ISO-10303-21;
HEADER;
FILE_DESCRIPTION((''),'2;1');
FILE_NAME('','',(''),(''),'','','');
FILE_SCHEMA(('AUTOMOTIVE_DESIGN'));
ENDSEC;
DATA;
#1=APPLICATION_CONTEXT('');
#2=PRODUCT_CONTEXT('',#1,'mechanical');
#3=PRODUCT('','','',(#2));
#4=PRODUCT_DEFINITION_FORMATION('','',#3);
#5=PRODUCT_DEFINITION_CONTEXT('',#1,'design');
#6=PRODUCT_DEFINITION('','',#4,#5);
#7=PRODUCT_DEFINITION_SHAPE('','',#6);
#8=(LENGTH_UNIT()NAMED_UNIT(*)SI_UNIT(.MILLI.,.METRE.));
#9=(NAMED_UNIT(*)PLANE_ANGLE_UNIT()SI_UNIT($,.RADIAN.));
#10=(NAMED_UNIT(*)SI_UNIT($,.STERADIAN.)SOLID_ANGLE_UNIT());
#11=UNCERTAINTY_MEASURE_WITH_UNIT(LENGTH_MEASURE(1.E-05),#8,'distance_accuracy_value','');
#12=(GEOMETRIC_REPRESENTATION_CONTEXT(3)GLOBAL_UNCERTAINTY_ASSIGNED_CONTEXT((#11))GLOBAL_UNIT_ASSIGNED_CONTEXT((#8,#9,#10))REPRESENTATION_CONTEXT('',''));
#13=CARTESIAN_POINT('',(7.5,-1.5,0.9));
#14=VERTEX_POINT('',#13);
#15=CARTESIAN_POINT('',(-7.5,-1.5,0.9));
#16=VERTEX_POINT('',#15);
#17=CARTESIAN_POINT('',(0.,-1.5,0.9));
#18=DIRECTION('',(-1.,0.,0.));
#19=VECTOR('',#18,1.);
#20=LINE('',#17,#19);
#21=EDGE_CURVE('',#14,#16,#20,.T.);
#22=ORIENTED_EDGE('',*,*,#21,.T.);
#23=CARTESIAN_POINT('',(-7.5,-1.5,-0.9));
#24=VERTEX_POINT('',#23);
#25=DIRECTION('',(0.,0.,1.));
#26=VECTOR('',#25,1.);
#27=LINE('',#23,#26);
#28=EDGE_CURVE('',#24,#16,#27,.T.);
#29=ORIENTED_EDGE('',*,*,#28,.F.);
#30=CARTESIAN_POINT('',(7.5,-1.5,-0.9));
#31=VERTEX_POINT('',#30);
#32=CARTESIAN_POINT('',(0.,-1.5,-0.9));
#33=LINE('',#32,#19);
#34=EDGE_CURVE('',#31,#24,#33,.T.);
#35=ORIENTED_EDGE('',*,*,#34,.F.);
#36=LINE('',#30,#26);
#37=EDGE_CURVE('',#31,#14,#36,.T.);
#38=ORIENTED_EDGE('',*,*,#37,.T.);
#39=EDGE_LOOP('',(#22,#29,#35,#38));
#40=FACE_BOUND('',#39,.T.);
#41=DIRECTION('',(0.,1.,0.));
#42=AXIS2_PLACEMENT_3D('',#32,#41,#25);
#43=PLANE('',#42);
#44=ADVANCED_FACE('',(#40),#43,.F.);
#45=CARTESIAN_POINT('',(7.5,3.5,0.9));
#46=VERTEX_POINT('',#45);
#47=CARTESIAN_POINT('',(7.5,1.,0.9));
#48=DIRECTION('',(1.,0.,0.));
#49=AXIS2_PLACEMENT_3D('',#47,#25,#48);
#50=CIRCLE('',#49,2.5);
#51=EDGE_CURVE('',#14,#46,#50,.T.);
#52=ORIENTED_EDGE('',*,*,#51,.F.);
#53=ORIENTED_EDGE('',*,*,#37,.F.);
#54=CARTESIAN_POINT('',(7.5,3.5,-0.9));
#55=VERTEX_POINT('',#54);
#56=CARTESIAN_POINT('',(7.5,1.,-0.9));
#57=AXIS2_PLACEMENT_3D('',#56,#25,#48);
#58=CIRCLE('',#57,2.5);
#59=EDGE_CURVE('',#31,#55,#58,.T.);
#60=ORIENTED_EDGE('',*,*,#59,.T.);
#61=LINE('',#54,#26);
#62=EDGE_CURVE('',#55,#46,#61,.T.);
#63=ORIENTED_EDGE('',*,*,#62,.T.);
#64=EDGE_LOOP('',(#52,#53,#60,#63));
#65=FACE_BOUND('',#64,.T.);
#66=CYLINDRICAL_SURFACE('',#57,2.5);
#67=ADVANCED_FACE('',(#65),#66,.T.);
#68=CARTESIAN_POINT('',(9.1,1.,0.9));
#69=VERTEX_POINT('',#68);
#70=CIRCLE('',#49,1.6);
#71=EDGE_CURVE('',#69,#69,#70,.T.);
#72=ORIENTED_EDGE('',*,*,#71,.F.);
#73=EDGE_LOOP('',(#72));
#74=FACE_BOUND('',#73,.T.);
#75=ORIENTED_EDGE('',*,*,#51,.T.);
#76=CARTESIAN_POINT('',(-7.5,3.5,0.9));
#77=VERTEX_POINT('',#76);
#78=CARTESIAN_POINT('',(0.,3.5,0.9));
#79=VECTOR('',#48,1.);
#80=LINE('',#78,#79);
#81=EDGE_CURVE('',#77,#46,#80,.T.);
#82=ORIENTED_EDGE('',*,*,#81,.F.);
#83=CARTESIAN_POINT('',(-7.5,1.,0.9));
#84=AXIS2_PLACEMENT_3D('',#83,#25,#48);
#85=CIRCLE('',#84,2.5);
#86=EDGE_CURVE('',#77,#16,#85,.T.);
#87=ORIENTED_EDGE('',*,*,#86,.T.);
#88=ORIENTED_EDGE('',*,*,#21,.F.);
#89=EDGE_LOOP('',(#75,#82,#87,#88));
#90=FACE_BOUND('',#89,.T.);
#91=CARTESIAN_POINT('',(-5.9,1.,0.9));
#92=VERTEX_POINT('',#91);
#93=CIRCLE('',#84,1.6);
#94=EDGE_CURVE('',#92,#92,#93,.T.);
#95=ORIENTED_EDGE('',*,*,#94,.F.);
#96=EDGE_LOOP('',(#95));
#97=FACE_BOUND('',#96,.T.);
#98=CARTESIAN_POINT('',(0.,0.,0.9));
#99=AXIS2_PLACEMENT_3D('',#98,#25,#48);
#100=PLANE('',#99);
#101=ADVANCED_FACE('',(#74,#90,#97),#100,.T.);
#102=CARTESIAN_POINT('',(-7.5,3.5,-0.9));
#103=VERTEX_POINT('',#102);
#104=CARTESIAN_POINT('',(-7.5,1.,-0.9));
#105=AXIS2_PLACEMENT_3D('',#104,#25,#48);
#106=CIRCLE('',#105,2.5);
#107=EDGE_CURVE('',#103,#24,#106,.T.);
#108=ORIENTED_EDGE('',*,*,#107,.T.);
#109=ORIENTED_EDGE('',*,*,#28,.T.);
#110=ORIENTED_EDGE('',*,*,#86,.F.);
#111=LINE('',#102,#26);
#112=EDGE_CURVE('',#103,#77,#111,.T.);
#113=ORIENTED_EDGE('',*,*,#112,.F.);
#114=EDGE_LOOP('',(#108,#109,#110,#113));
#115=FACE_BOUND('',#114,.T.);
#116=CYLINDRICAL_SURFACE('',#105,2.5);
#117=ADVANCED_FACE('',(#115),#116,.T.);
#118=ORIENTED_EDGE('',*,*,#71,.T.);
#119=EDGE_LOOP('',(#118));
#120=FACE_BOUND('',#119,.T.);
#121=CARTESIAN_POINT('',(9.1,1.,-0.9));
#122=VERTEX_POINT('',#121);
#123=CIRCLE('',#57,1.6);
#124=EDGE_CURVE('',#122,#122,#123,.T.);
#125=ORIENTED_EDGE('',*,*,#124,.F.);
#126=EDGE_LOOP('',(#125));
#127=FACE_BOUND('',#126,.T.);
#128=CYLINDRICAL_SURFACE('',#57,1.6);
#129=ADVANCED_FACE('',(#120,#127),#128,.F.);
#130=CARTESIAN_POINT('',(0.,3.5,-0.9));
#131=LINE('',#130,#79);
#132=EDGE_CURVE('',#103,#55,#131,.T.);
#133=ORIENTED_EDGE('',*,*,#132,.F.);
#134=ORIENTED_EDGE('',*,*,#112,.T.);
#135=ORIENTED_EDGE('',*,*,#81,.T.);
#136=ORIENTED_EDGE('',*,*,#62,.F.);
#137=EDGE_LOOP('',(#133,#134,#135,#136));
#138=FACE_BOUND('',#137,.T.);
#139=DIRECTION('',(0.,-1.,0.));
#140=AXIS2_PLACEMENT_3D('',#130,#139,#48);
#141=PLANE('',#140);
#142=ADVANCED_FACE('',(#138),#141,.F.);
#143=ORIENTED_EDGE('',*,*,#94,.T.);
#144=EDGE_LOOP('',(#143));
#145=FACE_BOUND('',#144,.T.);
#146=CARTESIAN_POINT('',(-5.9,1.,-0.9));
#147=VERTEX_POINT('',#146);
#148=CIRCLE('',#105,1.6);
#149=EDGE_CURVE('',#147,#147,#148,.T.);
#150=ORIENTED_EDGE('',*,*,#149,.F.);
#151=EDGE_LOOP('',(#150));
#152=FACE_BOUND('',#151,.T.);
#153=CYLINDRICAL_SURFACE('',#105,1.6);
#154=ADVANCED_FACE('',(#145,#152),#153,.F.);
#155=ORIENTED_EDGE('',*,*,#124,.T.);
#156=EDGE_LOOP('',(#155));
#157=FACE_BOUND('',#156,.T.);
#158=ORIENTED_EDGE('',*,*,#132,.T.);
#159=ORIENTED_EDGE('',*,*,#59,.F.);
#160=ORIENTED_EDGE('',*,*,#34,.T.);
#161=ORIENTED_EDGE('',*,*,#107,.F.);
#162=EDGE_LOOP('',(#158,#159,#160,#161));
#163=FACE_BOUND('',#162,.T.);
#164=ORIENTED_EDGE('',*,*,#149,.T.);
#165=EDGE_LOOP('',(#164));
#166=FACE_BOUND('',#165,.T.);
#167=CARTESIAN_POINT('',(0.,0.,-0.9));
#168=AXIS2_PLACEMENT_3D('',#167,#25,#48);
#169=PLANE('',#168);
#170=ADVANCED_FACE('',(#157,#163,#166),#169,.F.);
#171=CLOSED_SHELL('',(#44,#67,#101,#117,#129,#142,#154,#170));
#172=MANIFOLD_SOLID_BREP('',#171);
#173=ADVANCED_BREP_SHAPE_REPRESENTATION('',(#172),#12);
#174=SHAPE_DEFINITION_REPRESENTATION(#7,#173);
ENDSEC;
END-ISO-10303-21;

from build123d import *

# Parameters (mm, degrees)
BOSS_EXTRUDE2_DEPTH      = 0.9
BOSS_EXTRUDE2_DEPTH_BACK = 0.9
SKETCH1_R                = 1.6


with BuildPart() as part:
    # Sketch1 → Boss-Extrude2 (new, two sides: drawn at the far end of the back side and taken through both)
    with BuildSketch(Plane.XY.offset(-BOSS_EXTRUDE2_DEPTH_BACK)):
        with BuildLine():
            Line((7.5, 3.5), (-7.5, 3.5))
            ThreePointArc((-7.5, 3.5), (-10, 1), (-7.5, -1.5))
            Line((-7.5, -1.5), (7.5, -1.5))
            ThreePointArc((7.5, -1.5), (10, 1), (7.5, 3.5))
        make_face()
        with Locations((7.5, 1)):
            Circle(SKETCH1_R, mode=Mode.SUBTRACT)
        with Locations((-7.5, 1)):
            Circle(SKETCH1_R, mode=Mode.SUBTRACT)
    extrude(amount=BOSS_EXTRUDE2_DEPTH + BOSS_EXTRUDE2_DEPTH_BACK)


solid = part.part
